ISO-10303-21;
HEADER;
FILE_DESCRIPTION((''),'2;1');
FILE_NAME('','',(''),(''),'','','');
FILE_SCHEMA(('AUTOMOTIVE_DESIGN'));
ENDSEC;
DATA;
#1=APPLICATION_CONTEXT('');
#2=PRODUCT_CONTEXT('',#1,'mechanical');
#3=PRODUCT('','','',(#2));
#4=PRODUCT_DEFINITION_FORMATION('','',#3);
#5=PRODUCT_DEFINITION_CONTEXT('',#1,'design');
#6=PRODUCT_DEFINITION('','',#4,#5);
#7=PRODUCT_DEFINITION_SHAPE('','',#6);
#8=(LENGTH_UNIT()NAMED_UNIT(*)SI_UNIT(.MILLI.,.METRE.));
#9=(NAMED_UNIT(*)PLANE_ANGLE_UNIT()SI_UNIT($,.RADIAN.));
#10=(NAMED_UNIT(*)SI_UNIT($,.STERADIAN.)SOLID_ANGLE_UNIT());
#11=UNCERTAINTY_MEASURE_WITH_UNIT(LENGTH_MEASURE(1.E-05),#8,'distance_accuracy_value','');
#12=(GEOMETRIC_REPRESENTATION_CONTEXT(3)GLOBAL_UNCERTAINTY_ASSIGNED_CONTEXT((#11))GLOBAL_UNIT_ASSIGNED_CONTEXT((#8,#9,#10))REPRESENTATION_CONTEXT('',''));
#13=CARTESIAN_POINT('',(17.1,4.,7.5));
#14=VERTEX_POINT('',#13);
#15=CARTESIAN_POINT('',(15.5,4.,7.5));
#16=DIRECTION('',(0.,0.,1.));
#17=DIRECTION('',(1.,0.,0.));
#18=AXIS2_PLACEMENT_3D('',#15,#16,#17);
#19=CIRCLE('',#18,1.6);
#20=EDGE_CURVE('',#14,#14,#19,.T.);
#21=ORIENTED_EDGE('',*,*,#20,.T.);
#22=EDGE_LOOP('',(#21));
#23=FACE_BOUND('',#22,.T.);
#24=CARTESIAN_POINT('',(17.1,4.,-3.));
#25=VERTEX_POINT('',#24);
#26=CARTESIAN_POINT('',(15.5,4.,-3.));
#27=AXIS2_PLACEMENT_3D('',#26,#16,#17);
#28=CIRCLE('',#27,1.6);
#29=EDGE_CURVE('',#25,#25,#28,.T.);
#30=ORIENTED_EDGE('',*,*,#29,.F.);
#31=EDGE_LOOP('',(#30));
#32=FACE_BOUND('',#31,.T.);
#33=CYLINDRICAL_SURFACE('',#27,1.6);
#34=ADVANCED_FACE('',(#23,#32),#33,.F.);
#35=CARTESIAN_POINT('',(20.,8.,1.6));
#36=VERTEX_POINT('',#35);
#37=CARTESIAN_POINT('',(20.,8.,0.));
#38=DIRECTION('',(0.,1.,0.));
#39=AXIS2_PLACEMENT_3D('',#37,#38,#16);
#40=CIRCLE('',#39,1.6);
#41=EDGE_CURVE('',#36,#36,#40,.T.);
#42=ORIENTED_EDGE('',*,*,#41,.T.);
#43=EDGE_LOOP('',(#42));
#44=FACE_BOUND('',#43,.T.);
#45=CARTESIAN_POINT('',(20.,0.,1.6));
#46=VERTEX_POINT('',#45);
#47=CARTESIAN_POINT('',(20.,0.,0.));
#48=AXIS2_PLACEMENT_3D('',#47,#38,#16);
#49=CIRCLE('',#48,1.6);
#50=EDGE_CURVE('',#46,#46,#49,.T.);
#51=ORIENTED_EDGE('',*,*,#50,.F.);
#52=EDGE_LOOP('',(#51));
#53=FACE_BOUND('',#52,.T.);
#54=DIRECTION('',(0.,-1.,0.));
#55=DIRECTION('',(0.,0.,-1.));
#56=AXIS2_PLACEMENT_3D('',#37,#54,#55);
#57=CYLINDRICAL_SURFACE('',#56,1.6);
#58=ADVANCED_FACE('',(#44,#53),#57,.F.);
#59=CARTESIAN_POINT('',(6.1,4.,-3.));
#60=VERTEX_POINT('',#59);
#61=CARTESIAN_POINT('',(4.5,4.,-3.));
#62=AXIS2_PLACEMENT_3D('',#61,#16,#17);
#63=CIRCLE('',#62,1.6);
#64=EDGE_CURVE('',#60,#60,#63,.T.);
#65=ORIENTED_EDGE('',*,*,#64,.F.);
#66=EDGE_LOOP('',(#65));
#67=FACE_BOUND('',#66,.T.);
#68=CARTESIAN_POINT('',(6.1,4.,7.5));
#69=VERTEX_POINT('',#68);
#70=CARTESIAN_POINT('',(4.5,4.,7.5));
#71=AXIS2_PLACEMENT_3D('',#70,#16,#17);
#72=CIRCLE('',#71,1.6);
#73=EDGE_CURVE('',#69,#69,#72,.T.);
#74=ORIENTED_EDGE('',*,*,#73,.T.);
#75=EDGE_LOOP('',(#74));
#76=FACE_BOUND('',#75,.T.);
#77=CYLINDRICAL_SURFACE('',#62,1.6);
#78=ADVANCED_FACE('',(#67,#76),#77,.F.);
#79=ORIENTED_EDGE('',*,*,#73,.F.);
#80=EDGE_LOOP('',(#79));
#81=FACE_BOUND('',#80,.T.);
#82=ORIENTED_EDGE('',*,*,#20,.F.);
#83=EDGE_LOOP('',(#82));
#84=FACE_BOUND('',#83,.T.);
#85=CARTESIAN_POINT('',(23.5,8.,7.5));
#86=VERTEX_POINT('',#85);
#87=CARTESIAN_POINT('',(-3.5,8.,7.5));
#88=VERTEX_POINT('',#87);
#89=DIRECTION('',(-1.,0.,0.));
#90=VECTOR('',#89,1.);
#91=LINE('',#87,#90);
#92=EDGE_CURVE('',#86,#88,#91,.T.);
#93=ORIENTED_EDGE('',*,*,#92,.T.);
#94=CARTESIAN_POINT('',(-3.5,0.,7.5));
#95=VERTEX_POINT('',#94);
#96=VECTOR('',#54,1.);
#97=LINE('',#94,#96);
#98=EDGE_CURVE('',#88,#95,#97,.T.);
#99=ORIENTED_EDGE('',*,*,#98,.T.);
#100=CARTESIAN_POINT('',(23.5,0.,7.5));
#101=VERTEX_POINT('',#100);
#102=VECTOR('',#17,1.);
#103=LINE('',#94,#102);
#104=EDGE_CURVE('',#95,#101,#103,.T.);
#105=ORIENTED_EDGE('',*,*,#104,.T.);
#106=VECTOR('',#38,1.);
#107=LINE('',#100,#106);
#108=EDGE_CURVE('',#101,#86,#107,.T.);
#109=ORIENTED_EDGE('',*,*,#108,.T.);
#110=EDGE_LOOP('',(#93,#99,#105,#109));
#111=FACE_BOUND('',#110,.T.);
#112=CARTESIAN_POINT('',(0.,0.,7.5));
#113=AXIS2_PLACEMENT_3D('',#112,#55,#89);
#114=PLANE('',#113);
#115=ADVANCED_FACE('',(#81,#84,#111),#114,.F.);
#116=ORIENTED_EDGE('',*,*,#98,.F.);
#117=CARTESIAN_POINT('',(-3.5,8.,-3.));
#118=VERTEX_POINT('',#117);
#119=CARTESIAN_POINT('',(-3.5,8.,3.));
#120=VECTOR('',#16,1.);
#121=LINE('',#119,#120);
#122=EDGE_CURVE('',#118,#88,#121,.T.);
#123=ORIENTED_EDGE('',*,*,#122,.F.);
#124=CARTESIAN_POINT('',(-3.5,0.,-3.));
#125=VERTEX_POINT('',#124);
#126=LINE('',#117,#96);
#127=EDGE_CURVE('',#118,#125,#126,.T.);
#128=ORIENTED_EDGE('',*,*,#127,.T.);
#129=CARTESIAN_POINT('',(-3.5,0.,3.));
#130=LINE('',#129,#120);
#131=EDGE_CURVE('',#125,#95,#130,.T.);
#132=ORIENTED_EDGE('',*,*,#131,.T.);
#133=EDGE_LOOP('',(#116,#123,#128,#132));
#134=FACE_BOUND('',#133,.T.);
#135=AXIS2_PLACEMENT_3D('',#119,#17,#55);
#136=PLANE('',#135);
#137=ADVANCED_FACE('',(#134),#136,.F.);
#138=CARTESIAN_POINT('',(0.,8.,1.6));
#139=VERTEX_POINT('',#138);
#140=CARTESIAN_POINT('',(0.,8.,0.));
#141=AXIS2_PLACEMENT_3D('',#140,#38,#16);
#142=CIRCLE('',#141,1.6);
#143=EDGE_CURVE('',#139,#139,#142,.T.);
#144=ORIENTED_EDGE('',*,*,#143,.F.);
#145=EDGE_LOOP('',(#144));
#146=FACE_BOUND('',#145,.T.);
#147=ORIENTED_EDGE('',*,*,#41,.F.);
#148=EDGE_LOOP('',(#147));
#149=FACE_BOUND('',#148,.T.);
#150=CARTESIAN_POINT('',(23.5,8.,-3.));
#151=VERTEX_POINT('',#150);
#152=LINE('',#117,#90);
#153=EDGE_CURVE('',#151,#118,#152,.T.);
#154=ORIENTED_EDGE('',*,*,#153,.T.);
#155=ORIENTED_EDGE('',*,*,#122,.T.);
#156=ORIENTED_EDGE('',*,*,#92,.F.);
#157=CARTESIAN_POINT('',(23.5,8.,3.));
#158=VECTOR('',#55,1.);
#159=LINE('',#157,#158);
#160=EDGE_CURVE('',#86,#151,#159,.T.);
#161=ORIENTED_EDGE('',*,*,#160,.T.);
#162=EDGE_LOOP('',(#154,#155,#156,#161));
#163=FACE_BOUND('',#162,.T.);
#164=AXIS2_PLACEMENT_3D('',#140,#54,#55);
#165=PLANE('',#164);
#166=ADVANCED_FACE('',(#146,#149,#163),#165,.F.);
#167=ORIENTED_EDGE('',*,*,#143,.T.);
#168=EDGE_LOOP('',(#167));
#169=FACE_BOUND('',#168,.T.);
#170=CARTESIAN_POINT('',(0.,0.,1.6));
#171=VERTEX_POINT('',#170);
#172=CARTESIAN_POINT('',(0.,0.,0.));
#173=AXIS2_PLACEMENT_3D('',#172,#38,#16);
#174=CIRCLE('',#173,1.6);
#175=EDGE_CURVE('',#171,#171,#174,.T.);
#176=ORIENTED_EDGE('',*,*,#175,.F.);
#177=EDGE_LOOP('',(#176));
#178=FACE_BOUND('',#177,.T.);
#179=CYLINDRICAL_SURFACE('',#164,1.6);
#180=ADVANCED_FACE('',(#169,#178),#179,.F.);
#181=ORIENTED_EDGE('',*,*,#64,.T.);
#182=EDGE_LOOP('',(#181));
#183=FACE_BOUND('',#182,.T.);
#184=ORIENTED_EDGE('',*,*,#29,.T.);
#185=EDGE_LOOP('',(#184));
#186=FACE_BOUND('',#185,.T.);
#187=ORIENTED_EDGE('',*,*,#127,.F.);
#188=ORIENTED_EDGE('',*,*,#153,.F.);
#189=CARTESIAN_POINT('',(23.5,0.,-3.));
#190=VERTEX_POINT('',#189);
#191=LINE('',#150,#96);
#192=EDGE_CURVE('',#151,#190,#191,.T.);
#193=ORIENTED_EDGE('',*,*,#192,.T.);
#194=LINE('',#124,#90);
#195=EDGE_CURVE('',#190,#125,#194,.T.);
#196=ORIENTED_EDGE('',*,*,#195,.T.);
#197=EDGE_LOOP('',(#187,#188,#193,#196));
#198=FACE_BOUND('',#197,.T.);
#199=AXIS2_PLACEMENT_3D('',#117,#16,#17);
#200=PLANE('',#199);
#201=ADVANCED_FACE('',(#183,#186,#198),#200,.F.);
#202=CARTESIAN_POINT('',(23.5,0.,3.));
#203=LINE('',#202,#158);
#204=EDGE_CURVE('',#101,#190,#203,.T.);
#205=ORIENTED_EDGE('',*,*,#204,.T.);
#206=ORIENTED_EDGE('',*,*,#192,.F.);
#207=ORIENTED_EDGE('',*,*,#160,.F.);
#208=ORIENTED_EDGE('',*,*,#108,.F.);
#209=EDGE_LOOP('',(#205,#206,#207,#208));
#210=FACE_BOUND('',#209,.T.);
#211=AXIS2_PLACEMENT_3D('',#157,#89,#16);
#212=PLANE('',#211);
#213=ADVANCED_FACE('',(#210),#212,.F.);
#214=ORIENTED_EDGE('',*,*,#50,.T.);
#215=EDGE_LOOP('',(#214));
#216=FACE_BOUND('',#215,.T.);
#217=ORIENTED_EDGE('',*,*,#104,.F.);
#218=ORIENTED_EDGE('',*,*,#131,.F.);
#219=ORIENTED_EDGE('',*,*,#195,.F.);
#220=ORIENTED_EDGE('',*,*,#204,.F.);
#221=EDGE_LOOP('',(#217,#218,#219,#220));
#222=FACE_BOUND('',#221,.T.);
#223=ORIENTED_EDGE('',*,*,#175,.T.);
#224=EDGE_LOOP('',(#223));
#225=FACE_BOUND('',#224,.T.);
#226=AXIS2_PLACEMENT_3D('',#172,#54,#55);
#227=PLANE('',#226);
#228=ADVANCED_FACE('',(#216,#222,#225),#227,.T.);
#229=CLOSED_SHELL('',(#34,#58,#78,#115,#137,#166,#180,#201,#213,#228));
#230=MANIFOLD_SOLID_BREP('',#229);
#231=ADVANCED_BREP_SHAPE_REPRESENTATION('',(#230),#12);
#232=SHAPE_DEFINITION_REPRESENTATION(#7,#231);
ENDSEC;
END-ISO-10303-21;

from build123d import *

# Parameters (mm, degrees)
SKETCH1_W               = 27
SKETCH1_H               = 6
SKETCH1_R               = 1.6
BOSS_EXTRUDE1_DEPTH     = 8
SKETCH3_W               = 27
SKETCH3_H               = 8
BOSS_EXTRUDE2_DEPTH     = 4.5
SKETCH2_R               = 1.6
CUT_EXTRUDE1_DEPTH      = 8.5
CUT_EXTRUDE1_DEPTH_BACK = 4


with BuildPart() as part:
    # Sketch1 → Boss-Extrude1 (new body)
    with BuildSketch(Plane(origin=(0, 0, 0), x_dir=(1, 0, 0), z_dir=(0, 1, 0))):
        with Locations((10, 0)):
            Rectangle(SKETCH1_W, SKETCH1_H)
        Circle(SKETCH1_R, mode=Mode.SUBTRACT)
        with Locations((20, 0)):
            Circle(SKETCH1_R, mode=Mode.SUBTRACT)
    extrude(amount=BOSS_EXTRUDE1_DEPTH)

    # Sketch3 → Boss-Extrude2 (add)
    with BuildSketch(Plane.XY.offset(3)):
        with Locations((10, 4)):
            Rectangle(SKETCH3_W, SKETCH3_H)
    extrude(amount=BOSS_EXTRUDE2_DEPTH)

    # Sketch2 → Cut-Extrude1 (cut, two sides)
    with BuildSketch(Plane.XY) as cut_extrude1_sk:
        with Locations((4.5, 4)):
            Circle(SKETCH2_R)
        with Locations((15.5, 4)):
            Circle(SKETCH2_R)
    extrude(amount=CUT_EXTRUDE1_DEPTH, mode=Mode.SUBTRACT)
    extrude(cut_extrude1_sk.sketch, amount=-CUT_EXTRUDE1_DEPTH_BACK, mode=Mode.SUBTRACT)


solid = part.part
